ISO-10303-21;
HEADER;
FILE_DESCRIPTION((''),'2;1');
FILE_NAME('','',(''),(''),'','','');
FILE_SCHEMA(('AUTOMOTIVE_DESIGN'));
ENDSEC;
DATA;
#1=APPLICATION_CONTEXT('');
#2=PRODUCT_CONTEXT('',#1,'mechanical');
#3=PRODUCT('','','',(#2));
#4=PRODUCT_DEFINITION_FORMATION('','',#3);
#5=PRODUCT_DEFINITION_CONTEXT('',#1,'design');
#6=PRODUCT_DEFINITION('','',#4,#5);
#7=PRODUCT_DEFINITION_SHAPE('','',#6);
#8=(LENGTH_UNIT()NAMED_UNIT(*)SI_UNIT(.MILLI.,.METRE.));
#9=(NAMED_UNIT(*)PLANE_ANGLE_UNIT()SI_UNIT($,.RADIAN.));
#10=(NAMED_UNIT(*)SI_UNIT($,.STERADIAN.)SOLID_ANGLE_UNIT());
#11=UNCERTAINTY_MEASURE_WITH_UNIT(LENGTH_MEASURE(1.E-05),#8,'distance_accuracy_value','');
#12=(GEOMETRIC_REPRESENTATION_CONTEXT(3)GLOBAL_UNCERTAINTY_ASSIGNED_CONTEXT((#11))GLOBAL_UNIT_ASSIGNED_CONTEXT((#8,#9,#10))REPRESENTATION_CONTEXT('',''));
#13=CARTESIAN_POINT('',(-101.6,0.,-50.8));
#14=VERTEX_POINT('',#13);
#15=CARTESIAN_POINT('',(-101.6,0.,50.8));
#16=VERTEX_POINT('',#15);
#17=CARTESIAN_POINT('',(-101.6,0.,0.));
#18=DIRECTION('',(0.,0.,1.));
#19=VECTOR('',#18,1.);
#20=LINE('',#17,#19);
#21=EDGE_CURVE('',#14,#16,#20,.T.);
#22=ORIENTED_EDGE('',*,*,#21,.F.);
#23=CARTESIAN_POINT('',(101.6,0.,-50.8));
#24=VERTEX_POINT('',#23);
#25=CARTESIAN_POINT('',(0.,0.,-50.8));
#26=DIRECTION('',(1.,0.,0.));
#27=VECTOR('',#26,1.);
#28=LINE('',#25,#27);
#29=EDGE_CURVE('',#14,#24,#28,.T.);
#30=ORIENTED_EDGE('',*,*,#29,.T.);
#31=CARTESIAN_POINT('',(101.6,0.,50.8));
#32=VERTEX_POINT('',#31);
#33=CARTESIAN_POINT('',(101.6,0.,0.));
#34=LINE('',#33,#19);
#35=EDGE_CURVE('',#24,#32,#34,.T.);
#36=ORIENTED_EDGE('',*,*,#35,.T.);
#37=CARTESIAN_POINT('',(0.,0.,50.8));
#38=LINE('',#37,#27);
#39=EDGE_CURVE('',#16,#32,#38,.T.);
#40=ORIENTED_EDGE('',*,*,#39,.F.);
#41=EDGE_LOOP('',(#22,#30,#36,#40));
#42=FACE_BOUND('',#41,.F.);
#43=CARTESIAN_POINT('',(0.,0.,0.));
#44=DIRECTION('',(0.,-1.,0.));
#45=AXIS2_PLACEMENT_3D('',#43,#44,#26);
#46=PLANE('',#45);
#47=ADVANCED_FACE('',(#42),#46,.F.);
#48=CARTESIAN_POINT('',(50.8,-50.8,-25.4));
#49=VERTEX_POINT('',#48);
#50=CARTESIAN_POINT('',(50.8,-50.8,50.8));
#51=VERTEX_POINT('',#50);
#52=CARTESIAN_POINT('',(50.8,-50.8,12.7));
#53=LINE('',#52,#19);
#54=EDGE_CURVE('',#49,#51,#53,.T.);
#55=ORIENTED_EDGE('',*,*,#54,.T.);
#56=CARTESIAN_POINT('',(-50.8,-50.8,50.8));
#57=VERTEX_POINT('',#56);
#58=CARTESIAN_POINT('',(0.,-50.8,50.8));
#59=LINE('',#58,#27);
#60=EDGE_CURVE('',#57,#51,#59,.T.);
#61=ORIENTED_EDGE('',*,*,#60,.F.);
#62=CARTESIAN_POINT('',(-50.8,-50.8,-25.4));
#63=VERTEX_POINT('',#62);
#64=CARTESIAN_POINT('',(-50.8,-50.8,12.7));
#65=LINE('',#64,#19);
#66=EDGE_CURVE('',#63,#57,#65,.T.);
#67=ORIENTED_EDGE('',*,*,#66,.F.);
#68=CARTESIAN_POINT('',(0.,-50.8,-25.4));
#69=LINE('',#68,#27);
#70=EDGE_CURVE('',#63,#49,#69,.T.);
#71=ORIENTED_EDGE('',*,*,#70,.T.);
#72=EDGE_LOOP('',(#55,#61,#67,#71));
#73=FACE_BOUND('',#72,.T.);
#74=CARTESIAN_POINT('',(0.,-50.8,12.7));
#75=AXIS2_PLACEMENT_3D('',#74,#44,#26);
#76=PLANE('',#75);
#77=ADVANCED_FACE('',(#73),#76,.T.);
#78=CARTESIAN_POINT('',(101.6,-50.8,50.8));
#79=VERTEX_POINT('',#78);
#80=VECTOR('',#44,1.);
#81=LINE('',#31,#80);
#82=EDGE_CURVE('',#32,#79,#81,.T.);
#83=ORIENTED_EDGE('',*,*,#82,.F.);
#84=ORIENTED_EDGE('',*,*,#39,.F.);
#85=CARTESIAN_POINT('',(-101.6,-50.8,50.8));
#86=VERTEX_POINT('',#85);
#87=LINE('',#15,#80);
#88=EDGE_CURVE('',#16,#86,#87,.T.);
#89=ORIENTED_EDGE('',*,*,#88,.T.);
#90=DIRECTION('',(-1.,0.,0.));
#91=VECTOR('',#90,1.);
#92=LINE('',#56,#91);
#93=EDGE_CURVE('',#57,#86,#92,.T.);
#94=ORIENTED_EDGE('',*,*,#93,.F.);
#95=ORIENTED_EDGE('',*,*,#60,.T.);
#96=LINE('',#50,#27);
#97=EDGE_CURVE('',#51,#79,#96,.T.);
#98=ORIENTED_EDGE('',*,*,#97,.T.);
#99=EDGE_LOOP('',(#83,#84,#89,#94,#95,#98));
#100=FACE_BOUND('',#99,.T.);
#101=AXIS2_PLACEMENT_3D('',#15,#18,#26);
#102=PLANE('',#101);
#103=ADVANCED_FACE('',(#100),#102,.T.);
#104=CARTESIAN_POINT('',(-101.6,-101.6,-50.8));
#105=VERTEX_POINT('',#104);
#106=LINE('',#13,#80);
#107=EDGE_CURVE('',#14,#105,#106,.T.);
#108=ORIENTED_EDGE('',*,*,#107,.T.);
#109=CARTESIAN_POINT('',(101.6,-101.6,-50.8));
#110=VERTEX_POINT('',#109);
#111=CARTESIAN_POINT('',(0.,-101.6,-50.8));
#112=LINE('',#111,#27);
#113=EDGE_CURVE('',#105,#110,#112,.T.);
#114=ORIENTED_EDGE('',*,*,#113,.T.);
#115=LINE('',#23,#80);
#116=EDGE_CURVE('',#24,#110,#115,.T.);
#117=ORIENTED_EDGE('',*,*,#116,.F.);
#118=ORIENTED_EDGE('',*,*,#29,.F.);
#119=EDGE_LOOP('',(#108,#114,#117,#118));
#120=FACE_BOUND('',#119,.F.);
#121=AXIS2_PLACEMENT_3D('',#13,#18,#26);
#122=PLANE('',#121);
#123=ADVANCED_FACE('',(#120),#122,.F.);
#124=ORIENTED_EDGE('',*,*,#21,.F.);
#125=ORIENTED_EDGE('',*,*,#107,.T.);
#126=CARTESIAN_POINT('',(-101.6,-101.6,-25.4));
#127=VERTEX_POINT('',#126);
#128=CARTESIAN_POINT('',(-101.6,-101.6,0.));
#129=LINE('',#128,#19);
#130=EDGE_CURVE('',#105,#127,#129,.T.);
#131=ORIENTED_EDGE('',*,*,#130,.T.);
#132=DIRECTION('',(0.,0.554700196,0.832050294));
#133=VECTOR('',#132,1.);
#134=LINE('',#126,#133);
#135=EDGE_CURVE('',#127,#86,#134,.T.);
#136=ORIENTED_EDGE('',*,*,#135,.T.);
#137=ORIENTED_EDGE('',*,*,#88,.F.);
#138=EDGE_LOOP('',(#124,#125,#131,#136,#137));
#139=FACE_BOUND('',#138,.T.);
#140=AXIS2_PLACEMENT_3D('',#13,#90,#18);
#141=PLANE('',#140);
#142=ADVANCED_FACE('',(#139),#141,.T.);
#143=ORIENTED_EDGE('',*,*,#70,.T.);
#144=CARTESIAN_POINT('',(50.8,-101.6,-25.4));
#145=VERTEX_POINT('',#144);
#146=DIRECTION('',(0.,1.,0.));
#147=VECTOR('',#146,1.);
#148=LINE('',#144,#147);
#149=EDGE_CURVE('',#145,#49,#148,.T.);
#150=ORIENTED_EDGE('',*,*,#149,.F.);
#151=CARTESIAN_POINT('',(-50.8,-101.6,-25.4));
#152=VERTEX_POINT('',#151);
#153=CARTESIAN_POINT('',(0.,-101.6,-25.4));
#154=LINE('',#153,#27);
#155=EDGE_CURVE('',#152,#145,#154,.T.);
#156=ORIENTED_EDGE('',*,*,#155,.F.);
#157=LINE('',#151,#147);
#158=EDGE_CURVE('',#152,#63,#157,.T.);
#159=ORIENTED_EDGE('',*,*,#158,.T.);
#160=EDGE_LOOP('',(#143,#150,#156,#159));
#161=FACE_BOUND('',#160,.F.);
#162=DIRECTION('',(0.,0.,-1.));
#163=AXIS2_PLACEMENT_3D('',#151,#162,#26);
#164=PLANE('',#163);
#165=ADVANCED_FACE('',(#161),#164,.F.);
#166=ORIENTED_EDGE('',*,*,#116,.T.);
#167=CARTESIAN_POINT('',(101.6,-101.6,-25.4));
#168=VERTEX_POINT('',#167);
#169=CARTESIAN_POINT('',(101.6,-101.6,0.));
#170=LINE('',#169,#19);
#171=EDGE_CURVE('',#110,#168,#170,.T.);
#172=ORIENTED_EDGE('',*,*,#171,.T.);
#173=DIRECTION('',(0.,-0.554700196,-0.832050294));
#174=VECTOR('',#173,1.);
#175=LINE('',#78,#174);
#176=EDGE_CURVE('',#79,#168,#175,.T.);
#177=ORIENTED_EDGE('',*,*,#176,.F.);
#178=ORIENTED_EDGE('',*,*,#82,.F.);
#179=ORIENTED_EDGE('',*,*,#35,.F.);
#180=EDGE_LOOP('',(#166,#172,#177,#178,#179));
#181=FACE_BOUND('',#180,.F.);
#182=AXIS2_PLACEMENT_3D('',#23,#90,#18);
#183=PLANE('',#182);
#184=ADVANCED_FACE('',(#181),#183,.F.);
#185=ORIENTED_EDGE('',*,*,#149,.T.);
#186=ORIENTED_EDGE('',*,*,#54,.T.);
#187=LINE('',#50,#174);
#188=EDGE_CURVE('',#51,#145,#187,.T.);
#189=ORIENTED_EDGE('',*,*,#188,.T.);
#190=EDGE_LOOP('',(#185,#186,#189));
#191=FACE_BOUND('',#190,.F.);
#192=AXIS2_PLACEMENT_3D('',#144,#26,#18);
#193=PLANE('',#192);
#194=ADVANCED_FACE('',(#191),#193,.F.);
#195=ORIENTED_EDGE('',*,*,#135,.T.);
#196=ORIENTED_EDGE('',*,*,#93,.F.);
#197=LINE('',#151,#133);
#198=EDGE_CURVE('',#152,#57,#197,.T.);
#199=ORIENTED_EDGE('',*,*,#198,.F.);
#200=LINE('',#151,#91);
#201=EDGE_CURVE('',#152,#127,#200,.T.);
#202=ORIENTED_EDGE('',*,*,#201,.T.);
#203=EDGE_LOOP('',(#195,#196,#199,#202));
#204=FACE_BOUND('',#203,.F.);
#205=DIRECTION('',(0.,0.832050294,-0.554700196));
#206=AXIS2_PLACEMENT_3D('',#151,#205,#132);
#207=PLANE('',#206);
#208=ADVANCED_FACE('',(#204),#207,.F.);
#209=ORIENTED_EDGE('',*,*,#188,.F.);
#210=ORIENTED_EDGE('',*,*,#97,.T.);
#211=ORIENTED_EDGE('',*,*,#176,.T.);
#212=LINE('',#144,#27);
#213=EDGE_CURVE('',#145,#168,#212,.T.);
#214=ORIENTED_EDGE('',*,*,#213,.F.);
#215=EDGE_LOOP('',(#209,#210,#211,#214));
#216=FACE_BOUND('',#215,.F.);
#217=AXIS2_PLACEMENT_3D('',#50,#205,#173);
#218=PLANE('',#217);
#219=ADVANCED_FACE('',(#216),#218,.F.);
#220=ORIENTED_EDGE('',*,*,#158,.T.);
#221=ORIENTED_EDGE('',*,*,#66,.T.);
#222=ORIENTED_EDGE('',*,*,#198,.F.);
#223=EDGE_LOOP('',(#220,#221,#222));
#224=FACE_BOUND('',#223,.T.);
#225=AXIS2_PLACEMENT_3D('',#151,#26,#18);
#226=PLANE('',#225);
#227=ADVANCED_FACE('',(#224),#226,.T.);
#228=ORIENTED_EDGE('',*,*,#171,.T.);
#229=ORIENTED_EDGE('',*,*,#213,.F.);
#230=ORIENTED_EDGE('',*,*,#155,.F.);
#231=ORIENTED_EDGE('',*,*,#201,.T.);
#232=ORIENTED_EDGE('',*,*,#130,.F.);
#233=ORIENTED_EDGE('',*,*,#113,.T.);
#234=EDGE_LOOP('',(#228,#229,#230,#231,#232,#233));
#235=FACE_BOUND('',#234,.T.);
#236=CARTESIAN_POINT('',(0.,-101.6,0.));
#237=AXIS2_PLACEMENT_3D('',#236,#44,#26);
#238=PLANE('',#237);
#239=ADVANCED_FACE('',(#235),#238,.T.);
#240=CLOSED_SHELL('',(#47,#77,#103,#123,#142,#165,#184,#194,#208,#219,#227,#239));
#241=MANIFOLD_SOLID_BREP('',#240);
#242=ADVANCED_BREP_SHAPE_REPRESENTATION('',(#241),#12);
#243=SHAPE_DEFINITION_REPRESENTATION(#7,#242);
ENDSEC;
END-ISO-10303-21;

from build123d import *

# Parameters (mm, degrees)
F0_W     = 203.2
F0_H     = 101.6
F1_DEPTH = 101.6
F2_W     = 101.6
F2_H     = 76.2
F3_DEPTH = 50.8
F5_DEPTH = 50.8
F7_DEPTH = 50.8


with BuildPart() as f1:
    # F0 (on Front) → F1 (new body)
    with BuildSketch(Plane.XZ):
        Rectangle(F0_W, F0_H)
    extrude(amount=F1_DEPTH)

    # F2 (on face) → F3 (cut)
    with BuildSketch(Plane.XZ.offset(101.6)):
        with Locations((0, 12.7)):
            Rectangle(F2_W, F2_H)
    extrude(amount=-F3_DEPTH, mode=Mode.SUBTRACT)

    # F4 (on face) → F5 (cut)
    with BuildSketch(Plane.YZ.offset(-50.8)):
        Polygon((-101.6, -25.4), (-50.8, 50.8), (-101.6, 50.8), align=None)
    extrude(amount=-F5_DEPTH, mode=Mode.SUBTRACT)

    # F6 (on face) → F7 (cut)
    with BuildSketch(Plane(origin=(50.8, 0, 0), x_dir=(0, -1, 0), z_dir=(-1, 0, 0))):
        Polygon((101.6, 50.8), (50.8, 50.8), (101.6, -25.4), align=None)
    extrude(amount=-F7_DEPTH, mode=Mode.SUBTRACT)


solid = f1.part
